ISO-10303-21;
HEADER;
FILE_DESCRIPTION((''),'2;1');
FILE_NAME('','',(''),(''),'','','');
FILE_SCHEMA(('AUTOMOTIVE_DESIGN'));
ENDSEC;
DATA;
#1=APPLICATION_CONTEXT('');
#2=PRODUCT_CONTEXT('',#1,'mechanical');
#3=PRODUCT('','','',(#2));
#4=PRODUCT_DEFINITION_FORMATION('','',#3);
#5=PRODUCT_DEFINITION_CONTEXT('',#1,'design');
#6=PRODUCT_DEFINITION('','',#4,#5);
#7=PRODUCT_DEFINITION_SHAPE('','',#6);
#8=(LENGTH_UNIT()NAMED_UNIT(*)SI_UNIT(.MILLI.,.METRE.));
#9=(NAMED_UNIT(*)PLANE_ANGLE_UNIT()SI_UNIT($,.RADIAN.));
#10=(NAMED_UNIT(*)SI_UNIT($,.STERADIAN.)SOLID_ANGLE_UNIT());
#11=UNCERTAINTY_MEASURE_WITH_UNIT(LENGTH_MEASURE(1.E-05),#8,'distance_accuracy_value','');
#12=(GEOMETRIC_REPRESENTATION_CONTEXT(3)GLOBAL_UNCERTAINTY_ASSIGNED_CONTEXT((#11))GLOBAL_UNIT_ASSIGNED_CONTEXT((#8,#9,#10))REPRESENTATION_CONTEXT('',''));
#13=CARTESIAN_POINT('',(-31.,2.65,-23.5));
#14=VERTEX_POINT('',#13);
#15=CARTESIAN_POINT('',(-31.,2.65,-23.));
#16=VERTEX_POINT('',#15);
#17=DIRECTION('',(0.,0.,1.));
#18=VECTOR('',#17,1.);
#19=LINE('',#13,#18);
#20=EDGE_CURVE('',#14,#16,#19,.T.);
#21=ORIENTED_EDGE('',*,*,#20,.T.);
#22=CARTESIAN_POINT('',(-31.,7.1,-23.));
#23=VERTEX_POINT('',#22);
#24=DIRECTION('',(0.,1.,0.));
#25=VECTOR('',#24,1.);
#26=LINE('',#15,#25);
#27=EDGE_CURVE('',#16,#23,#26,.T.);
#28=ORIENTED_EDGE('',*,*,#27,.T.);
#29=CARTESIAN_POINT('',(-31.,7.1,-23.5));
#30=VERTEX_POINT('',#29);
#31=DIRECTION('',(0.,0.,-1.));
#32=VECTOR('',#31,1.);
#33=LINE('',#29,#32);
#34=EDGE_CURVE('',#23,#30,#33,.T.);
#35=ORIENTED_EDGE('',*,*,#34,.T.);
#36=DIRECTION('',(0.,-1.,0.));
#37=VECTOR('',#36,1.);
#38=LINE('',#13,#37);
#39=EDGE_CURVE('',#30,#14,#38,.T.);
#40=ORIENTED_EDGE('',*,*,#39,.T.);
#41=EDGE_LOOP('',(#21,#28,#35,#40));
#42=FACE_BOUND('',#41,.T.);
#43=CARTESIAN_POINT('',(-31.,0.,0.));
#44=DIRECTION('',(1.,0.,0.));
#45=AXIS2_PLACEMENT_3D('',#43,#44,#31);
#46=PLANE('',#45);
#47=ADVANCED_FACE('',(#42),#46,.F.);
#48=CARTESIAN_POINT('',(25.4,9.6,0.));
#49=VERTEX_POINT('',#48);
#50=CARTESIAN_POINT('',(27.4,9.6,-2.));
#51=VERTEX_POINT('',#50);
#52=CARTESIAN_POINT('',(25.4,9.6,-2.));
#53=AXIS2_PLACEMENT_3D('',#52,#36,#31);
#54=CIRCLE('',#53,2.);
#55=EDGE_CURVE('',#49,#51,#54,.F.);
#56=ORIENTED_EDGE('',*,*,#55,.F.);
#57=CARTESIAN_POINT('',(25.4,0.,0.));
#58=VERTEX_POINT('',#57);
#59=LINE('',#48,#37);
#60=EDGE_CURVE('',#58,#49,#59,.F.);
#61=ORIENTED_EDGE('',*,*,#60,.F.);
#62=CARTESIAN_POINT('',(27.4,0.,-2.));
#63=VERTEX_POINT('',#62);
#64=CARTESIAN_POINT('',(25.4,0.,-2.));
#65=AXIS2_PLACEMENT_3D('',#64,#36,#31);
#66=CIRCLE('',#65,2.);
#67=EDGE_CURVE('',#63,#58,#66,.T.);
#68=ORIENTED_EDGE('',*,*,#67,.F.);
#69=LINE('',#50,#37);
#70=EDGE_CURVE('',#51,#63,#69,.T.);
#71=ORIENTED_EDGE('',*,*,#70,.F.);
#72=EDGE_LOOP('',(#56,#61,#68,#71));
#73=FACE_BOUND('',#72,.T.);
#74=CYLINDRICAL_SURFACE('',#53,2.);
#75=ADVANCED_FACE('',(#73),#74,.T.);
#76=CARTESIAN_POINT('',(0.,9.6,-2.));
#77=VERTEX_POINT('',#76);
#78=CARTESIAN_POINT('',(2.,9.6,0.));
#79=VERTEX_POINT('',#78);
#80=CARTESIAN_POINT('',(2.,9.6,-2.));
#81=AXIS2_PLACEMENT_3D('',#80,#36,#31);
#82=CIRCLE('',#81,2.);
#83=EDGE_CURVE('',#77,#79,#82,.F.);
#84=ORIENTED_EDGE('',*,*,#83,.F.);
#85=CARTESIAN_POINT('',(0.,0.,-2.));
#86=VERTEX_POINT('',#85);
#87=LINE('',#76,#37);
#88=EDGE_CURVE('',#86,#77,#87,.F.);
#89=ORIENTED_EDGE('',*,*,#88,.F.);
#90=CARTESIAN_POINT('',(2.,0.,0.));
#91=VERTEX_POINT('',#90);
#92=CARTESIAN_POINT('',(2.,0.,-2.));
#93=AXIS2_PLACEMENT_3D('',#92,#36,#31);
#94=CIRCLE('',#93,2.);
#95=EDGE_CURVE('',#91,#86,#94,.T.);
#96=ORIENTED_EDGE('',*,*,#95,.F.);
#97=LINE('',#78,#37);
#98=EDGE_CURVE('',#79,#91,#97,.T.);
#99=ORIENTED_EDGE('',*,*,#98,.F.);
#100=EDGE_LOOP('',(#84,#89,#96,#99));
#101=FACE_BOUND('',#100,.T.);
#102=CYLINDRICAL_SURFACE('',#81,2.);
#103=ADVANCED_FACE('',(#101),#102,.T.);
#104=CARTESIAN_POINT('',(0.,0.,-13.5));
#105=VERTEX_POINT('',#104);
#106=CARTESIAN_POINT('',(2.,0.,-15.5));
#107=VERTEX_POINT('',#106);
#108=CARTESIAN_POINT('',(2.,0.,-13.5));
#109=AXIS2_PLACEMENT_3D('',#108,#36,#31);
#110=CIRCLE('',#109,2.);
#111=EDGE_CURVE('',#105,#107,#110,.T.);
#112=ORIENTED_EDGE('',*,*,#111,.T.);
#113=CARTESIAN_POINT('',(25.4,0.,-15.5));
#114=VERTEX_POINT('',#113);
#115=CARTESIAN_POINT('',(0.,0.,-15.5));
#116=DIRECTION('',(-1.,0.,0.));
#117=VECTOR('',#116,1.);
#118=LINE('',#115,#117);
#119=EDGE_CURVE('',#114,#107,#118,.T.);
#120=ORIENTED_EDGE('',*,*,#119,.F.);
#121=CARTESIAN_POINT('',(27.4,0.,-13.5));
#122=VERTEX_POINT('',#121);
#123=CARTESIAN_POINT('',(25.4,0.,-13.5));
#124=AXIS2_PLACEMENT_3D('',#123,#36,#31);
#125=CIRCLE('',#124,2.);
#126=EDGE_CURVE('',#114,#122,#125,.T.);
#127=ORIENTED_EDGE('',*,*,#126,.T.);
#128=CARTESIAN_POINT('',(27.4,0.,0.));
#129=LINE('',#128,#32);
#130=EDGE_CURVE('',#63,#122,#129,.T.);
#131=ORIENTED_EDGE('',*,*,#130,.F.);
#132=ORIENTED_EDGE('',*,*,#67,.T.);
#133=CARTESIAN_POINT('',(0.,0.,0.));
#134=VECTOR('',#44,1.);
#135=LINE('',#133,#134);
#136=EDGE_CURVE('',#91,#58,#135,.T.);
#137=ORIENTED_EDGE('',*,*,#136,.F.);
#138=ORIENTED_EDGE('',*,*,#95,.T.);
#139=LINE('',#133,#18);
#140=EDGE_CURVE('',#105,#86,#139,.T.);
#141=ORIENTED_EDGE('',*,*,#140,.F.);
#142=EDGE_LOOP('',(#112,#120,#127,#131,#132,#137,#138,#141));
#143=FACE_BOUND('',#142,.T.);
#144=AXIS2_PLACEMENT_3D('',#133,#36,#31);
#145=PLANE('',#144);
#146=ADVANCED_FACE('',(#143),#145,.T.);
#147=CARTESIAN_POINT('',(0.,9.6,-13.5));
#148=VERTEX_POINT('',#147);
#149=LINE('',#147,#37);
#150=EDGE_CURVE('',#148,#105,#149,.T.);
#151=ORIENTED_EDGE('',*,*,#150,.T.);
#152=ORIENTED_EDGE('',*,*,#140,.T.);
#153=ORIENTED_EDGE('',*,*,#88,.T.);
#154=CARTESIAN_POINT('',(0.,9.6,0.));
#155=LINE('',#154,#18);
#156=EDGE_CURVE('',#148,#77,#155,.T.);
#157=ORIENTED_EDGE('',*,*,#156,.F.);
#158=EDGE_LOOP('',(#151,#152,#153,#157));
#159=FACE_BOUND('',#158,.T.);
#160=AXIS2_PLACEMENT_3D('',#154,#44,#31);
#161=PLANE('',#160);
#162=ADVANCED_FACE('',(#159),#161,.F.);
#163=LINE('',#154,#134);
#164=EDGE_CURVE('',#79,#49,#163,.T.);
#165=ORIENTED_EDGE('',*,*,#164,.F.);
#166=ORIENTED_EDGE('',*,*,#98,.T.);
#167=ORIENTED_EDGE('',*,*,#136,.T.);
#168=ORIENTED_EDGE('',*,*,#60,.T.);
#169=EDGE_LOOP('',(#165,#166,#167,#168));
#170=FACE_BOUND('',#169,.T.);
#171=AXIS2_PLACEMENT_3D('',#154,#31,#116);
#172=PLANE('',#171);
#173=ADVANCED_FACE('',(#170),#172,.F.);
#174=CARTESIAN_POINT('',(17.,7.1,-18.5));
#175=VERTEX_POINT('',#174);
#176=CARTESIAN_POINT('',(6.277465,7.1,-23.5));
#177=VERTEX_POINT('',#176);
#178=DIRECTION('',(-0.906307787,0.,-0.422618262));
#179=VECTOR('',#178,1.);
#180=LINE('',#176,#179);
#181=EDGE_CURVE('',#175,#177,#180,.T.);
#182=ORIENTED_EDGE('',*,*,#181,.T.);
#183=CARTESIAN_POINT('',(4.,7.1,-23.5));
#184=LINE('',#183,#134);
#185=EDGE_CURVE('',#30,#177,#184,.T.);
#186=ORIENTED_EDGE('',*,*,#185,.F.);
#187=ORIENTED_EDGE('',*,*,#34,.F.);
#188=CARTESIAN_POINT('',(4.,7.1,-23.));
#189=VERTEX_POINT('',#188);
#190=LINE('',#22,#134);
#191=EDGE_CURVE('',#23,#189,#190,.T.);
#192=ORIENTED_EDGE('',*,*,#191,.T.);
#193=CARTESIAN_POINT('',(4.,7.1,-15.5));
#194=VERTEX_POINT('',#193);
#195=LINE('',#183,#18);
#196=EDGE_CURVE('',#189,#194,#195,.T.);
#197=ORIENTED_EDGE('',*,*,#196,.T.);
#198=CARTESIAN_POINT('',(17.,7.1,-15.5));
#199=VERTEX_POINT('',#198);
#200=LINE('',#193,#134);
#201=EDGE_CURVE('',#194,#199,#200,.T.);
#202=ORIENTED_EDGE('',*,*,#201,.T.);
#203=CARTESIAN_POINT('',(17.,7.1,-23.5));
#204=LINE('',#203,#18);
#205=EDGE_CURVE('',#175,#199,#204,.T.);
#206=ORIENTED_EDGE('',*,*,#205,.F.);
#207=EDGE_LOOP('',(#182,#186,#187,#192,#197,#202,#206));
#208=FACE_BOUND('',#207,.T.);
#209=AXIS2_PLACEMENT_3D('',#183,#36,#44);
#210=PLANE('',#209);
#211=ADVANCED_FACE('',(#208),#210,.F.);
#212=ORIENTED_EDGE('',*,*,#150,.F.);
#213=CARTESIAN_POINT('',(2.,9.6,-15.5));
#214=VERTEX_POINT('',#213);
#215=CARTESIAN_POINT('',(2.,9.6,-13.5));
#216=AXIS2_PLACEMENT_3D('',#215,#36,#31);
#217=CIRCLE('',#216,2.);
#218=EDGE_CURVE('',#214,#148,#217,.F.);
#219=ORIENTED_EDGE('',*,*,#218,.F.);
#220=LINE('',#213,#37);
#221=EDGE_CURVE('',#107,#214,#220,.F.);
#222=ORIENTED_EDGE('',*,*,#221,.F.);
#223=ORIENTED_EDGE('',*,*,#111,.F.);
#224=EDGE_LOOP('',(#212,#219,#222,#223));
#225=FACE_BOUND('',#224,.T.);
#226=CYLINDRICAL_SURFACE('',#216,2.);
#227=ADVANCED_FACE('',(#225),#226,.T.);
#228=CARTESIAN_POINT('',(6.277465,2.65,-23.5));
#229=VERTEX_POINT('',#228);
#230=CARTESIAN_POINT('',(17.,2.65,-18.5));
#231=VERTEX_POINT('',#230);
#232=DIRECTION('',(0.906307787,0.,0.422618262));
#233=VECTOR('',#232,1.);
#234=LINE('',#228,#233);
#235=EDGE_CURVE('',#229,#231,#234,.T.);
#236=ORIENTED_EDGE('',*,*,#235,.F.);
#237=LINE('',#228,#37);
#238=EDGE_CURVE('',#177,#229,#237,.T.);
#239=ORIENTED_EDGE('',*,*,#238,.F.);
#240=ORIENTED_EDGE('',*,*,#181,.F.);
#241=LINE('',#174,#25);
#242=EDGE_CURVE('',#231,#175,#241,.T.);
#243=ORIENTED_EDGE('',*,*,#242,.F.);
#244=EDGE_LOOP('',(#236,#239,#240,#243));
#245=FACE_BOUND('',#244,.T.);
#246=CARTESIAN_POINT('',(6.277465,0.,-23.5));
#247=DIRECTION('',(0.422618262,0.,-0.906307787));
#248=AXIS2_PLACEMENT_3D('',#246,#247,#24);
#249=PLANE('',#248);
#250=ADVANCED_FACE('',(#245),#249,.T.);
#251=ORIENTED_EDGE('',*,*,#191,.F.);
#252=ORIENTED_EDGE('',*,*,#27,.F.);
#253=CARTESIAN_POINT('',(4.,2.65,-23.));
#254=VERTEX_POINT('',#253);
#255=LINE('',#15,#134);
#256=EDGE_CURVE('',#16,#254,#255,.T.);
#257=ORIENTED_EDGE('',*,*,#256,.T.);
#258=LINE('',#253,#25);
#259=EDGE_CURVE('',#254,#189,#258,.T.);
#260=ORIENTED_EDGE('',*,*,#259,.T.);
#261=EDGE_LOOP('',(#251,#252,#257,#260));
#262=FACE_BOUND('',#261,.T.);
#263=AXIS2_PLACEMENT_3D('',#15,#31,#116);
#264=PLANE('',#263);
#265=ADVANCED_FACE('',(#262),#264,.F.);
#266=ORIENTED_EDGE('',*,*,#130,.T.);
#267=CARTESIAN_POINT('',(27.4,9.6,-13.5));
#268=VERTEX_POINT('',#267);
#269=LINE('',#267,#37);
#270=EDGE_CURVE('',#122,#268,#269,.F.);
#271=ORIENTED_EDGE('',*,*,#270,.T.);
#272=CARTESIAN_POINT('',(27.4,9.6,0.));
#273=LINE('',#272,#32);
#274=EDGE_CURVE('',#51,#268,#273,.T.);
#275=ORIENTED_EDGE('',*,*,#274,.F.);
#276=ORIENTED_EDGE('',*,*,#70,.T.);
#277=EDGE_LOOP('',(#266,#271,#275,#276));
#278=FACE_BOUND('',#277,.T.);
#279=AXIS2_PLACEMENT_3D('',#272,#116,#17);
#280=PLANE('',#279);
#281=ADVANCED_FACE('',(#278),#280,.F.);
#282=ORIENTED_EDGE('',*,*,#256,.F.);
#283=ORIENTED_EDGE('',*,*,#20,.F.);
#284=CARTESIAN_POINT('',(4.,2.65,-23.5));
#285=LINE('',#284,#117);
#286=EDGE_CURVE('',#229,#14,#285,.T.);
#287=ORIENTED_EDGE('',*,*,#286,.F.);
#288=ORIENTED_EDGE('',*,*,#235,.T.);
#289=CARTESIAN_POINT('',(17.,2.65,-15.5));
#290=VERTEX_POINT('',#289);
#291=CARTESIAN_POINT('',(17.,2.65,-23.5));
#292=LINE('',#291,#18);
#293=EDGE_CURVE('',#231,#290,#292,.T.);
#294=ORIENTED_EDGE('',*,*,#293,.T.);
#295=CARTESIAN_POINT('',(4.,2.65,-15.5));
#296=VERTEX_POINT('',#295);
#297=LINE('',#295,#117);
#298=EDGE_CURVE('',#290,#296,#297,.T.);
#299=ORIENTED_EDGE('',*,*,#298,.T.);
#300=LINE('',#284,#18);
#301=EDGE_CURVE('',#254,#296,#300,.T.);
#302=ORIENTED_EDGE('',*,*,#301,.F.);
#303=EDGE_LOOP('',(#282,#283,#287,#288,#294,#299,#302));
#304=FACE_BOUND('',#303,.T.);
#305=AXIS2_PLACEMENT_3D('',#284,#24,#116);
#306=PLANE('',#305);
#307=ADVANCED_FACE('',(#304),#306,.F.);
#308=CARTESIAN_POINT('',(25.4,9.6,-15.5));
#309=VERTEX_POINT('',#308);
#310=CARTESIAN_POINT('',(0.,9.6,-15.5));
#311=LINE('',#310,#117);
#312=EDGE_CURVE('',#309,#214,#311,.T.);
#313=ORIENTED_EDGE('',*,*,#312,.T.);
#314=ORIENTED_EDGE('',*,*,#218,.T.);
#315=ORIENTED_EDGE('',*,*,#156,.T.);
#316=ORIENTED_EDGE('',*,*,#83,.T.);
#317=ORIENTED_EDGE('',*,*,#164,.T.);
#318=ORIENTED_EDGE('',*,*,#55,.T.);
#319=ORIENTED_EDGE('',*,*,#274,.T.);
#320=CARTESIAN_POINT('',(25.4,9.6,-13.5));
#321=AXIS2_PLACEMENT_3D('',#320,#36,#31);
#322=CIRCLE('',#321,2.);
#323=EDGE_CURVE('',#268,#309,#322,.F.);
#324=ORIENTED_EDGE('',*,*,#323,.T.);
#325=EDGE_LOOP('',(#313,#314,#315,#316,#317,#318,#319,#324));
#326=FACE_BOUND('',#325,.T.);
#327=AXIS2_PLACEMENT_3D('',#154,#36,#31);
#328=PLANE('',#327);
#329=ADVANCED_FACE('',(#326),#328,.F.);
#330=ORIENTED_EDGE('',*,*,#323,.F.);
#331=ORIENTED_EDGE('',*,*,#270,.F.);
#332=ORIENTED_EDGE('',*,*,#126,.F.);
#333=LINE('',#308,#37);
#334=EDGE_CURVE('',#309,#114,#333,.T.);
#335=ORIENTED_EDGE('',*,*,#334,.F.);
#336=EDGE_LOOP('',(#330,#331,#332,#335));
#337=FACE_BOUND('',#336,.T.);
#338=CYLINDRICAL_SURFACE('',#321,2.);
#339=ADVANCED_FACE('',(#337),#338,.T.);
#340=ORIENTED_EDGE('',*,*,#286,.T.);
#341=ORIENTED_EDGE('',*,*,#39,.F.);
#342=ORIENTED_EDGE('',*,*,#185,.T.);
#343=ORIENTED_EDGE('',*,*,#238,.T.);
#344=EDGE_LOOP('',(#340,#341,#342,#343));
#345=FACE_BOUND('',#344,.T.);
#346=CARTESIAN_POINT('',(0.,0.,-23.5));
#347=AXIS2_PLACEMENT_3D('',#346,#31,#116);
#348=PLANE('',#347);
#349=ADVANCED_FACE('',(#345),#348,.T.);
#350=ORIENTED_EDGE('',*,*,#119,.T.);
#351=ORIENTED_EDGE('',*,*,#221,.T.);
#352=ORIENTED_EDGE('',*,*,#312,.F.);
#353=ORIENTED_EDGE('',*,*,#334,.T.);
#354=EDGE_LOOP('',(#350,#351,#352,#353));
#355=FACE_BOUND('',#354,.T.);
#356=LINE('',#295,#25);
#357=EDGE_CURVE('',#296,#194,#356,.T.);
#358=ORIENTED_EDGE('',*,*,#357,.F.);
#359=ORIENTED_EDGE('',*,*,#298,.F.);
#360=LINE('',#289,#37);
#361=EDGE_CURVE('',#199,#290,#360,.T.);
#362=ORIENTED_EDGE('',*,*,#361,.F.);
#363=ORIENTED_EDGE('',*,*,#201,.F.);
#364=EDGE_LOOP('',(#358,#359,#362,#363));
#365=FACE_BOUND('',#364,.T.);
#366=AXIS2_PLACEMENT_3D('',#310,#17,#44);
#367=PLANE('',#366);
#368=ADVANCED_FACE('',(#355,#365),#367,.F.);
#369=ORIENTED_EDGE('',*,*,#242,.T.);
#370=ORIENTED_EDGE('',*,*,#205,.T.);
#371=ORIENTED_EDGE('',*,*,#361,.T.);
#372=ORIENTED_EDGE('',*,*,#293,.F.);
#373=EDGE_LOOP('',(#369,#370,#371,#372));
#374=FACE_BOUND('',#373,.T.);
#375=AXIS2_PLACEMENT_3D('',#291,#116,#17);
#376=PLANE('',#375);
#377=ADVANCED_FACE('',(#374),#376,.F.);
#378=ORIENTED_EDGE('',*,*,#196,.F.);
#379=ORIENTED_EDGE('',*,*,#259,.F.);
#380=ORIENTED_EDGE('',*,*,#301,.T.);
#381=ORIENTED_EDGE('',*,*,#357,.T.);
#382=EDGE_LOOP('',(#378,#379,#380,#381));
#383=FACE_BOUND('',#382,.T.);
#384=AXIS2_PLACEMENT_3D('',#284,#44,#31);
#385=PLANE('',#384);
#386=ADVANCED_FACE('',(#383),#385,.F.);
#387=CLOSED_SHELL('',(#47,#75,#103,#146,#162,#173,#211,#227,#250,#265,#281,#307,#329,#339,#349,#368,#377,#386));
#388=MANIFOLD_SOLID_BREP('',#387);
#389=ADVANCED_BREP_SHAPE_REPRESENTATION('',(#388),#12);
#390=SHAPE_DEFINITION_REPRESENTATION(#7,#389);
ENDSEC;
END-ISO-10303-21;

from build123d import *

# Parameters (mm, degrees)
SKETCH1_W           = 27.4
SKETCH1_H           = 15.5
BOSS_EXTRUDE1_DEPTH = 9.6
FILLET1_R           = 2
SKETCH2_W           = 13
SKETCH2_H           = 4.45
BOSS_EXTRUDE2_DEPTH = 8
SKETCH3_W           = 0.5
SKETCH3_H           = 4.45
BOSS_EXTRUDE3_DEPTH = 35
CHAMFER1_SIZE       = 5
CHAMFER1_SIZE2      = 10.722534603


with BuildPart() as part:
    # Sketch1 → Boss-Extrude1 (new body)
    with BuildSketch(Plane(origin=(0, 0, 0), x_dir=(1, 0, 0), z_dir=(0, 1, 0))):
        with Locations((13.7, 7.75)):
            Rectangle(SKETCH1_W, SKETCH1_H)
    extrude(amount=BOSS_EXTRUDE1_DEPTH)

    # Fillet1
    fillet1_edges = [part.edges().sort_by_distance(p)[0] for p in [
        (0, 4.8, -15.5),
        (27.4, 4.8, -15.5),
        (27.4, 4.8, 0),
        (0, 4.8, 0),
    ]]
    fillet(fillet1_edges, radius=FILLET1_R)

    # Sketch2 → Boss-Extrude2 (add)
    with BuildSketch(Plane(origin=(0, 0, -15.5), x_dir=(-1, 0, 0), z_dir=(0, 0, -1))):
        with Locations((-10.5, 4.875)):
            Rectangle(SKETCH2_W, SKETCH2_H)
    extrude(amount=BOSS_EXTRUDE2_DEPTH)

    # Sketch3 → Boss-Extrude3 (add)
    with BuildSketch(Plane.ZY.offset(-4)):
        with Locations((-23.25, 4.875)):
            Rectangle(SKETCH3_W, SKETCH3_H)
    extrude(amount=BOSS_EXTRUDE3_DEPTH)

    # Chamfer1
    chamfer1_edges = [part.edges().sort_by_distance(p)[0] for p in [
        (17, 4.875, -23.5),
    ]]
    chamfer1_side = [part.faces().sort_by_distance(p)[0] for p in [
        (17, 4.875, -19.5),
    ]]
    chamfer(chamfer1_edges, length=CHAMFER1_SIZE, length2=CHAMFER1_SIZE2, reference=chamfer1_side[0])


solid = part.part
